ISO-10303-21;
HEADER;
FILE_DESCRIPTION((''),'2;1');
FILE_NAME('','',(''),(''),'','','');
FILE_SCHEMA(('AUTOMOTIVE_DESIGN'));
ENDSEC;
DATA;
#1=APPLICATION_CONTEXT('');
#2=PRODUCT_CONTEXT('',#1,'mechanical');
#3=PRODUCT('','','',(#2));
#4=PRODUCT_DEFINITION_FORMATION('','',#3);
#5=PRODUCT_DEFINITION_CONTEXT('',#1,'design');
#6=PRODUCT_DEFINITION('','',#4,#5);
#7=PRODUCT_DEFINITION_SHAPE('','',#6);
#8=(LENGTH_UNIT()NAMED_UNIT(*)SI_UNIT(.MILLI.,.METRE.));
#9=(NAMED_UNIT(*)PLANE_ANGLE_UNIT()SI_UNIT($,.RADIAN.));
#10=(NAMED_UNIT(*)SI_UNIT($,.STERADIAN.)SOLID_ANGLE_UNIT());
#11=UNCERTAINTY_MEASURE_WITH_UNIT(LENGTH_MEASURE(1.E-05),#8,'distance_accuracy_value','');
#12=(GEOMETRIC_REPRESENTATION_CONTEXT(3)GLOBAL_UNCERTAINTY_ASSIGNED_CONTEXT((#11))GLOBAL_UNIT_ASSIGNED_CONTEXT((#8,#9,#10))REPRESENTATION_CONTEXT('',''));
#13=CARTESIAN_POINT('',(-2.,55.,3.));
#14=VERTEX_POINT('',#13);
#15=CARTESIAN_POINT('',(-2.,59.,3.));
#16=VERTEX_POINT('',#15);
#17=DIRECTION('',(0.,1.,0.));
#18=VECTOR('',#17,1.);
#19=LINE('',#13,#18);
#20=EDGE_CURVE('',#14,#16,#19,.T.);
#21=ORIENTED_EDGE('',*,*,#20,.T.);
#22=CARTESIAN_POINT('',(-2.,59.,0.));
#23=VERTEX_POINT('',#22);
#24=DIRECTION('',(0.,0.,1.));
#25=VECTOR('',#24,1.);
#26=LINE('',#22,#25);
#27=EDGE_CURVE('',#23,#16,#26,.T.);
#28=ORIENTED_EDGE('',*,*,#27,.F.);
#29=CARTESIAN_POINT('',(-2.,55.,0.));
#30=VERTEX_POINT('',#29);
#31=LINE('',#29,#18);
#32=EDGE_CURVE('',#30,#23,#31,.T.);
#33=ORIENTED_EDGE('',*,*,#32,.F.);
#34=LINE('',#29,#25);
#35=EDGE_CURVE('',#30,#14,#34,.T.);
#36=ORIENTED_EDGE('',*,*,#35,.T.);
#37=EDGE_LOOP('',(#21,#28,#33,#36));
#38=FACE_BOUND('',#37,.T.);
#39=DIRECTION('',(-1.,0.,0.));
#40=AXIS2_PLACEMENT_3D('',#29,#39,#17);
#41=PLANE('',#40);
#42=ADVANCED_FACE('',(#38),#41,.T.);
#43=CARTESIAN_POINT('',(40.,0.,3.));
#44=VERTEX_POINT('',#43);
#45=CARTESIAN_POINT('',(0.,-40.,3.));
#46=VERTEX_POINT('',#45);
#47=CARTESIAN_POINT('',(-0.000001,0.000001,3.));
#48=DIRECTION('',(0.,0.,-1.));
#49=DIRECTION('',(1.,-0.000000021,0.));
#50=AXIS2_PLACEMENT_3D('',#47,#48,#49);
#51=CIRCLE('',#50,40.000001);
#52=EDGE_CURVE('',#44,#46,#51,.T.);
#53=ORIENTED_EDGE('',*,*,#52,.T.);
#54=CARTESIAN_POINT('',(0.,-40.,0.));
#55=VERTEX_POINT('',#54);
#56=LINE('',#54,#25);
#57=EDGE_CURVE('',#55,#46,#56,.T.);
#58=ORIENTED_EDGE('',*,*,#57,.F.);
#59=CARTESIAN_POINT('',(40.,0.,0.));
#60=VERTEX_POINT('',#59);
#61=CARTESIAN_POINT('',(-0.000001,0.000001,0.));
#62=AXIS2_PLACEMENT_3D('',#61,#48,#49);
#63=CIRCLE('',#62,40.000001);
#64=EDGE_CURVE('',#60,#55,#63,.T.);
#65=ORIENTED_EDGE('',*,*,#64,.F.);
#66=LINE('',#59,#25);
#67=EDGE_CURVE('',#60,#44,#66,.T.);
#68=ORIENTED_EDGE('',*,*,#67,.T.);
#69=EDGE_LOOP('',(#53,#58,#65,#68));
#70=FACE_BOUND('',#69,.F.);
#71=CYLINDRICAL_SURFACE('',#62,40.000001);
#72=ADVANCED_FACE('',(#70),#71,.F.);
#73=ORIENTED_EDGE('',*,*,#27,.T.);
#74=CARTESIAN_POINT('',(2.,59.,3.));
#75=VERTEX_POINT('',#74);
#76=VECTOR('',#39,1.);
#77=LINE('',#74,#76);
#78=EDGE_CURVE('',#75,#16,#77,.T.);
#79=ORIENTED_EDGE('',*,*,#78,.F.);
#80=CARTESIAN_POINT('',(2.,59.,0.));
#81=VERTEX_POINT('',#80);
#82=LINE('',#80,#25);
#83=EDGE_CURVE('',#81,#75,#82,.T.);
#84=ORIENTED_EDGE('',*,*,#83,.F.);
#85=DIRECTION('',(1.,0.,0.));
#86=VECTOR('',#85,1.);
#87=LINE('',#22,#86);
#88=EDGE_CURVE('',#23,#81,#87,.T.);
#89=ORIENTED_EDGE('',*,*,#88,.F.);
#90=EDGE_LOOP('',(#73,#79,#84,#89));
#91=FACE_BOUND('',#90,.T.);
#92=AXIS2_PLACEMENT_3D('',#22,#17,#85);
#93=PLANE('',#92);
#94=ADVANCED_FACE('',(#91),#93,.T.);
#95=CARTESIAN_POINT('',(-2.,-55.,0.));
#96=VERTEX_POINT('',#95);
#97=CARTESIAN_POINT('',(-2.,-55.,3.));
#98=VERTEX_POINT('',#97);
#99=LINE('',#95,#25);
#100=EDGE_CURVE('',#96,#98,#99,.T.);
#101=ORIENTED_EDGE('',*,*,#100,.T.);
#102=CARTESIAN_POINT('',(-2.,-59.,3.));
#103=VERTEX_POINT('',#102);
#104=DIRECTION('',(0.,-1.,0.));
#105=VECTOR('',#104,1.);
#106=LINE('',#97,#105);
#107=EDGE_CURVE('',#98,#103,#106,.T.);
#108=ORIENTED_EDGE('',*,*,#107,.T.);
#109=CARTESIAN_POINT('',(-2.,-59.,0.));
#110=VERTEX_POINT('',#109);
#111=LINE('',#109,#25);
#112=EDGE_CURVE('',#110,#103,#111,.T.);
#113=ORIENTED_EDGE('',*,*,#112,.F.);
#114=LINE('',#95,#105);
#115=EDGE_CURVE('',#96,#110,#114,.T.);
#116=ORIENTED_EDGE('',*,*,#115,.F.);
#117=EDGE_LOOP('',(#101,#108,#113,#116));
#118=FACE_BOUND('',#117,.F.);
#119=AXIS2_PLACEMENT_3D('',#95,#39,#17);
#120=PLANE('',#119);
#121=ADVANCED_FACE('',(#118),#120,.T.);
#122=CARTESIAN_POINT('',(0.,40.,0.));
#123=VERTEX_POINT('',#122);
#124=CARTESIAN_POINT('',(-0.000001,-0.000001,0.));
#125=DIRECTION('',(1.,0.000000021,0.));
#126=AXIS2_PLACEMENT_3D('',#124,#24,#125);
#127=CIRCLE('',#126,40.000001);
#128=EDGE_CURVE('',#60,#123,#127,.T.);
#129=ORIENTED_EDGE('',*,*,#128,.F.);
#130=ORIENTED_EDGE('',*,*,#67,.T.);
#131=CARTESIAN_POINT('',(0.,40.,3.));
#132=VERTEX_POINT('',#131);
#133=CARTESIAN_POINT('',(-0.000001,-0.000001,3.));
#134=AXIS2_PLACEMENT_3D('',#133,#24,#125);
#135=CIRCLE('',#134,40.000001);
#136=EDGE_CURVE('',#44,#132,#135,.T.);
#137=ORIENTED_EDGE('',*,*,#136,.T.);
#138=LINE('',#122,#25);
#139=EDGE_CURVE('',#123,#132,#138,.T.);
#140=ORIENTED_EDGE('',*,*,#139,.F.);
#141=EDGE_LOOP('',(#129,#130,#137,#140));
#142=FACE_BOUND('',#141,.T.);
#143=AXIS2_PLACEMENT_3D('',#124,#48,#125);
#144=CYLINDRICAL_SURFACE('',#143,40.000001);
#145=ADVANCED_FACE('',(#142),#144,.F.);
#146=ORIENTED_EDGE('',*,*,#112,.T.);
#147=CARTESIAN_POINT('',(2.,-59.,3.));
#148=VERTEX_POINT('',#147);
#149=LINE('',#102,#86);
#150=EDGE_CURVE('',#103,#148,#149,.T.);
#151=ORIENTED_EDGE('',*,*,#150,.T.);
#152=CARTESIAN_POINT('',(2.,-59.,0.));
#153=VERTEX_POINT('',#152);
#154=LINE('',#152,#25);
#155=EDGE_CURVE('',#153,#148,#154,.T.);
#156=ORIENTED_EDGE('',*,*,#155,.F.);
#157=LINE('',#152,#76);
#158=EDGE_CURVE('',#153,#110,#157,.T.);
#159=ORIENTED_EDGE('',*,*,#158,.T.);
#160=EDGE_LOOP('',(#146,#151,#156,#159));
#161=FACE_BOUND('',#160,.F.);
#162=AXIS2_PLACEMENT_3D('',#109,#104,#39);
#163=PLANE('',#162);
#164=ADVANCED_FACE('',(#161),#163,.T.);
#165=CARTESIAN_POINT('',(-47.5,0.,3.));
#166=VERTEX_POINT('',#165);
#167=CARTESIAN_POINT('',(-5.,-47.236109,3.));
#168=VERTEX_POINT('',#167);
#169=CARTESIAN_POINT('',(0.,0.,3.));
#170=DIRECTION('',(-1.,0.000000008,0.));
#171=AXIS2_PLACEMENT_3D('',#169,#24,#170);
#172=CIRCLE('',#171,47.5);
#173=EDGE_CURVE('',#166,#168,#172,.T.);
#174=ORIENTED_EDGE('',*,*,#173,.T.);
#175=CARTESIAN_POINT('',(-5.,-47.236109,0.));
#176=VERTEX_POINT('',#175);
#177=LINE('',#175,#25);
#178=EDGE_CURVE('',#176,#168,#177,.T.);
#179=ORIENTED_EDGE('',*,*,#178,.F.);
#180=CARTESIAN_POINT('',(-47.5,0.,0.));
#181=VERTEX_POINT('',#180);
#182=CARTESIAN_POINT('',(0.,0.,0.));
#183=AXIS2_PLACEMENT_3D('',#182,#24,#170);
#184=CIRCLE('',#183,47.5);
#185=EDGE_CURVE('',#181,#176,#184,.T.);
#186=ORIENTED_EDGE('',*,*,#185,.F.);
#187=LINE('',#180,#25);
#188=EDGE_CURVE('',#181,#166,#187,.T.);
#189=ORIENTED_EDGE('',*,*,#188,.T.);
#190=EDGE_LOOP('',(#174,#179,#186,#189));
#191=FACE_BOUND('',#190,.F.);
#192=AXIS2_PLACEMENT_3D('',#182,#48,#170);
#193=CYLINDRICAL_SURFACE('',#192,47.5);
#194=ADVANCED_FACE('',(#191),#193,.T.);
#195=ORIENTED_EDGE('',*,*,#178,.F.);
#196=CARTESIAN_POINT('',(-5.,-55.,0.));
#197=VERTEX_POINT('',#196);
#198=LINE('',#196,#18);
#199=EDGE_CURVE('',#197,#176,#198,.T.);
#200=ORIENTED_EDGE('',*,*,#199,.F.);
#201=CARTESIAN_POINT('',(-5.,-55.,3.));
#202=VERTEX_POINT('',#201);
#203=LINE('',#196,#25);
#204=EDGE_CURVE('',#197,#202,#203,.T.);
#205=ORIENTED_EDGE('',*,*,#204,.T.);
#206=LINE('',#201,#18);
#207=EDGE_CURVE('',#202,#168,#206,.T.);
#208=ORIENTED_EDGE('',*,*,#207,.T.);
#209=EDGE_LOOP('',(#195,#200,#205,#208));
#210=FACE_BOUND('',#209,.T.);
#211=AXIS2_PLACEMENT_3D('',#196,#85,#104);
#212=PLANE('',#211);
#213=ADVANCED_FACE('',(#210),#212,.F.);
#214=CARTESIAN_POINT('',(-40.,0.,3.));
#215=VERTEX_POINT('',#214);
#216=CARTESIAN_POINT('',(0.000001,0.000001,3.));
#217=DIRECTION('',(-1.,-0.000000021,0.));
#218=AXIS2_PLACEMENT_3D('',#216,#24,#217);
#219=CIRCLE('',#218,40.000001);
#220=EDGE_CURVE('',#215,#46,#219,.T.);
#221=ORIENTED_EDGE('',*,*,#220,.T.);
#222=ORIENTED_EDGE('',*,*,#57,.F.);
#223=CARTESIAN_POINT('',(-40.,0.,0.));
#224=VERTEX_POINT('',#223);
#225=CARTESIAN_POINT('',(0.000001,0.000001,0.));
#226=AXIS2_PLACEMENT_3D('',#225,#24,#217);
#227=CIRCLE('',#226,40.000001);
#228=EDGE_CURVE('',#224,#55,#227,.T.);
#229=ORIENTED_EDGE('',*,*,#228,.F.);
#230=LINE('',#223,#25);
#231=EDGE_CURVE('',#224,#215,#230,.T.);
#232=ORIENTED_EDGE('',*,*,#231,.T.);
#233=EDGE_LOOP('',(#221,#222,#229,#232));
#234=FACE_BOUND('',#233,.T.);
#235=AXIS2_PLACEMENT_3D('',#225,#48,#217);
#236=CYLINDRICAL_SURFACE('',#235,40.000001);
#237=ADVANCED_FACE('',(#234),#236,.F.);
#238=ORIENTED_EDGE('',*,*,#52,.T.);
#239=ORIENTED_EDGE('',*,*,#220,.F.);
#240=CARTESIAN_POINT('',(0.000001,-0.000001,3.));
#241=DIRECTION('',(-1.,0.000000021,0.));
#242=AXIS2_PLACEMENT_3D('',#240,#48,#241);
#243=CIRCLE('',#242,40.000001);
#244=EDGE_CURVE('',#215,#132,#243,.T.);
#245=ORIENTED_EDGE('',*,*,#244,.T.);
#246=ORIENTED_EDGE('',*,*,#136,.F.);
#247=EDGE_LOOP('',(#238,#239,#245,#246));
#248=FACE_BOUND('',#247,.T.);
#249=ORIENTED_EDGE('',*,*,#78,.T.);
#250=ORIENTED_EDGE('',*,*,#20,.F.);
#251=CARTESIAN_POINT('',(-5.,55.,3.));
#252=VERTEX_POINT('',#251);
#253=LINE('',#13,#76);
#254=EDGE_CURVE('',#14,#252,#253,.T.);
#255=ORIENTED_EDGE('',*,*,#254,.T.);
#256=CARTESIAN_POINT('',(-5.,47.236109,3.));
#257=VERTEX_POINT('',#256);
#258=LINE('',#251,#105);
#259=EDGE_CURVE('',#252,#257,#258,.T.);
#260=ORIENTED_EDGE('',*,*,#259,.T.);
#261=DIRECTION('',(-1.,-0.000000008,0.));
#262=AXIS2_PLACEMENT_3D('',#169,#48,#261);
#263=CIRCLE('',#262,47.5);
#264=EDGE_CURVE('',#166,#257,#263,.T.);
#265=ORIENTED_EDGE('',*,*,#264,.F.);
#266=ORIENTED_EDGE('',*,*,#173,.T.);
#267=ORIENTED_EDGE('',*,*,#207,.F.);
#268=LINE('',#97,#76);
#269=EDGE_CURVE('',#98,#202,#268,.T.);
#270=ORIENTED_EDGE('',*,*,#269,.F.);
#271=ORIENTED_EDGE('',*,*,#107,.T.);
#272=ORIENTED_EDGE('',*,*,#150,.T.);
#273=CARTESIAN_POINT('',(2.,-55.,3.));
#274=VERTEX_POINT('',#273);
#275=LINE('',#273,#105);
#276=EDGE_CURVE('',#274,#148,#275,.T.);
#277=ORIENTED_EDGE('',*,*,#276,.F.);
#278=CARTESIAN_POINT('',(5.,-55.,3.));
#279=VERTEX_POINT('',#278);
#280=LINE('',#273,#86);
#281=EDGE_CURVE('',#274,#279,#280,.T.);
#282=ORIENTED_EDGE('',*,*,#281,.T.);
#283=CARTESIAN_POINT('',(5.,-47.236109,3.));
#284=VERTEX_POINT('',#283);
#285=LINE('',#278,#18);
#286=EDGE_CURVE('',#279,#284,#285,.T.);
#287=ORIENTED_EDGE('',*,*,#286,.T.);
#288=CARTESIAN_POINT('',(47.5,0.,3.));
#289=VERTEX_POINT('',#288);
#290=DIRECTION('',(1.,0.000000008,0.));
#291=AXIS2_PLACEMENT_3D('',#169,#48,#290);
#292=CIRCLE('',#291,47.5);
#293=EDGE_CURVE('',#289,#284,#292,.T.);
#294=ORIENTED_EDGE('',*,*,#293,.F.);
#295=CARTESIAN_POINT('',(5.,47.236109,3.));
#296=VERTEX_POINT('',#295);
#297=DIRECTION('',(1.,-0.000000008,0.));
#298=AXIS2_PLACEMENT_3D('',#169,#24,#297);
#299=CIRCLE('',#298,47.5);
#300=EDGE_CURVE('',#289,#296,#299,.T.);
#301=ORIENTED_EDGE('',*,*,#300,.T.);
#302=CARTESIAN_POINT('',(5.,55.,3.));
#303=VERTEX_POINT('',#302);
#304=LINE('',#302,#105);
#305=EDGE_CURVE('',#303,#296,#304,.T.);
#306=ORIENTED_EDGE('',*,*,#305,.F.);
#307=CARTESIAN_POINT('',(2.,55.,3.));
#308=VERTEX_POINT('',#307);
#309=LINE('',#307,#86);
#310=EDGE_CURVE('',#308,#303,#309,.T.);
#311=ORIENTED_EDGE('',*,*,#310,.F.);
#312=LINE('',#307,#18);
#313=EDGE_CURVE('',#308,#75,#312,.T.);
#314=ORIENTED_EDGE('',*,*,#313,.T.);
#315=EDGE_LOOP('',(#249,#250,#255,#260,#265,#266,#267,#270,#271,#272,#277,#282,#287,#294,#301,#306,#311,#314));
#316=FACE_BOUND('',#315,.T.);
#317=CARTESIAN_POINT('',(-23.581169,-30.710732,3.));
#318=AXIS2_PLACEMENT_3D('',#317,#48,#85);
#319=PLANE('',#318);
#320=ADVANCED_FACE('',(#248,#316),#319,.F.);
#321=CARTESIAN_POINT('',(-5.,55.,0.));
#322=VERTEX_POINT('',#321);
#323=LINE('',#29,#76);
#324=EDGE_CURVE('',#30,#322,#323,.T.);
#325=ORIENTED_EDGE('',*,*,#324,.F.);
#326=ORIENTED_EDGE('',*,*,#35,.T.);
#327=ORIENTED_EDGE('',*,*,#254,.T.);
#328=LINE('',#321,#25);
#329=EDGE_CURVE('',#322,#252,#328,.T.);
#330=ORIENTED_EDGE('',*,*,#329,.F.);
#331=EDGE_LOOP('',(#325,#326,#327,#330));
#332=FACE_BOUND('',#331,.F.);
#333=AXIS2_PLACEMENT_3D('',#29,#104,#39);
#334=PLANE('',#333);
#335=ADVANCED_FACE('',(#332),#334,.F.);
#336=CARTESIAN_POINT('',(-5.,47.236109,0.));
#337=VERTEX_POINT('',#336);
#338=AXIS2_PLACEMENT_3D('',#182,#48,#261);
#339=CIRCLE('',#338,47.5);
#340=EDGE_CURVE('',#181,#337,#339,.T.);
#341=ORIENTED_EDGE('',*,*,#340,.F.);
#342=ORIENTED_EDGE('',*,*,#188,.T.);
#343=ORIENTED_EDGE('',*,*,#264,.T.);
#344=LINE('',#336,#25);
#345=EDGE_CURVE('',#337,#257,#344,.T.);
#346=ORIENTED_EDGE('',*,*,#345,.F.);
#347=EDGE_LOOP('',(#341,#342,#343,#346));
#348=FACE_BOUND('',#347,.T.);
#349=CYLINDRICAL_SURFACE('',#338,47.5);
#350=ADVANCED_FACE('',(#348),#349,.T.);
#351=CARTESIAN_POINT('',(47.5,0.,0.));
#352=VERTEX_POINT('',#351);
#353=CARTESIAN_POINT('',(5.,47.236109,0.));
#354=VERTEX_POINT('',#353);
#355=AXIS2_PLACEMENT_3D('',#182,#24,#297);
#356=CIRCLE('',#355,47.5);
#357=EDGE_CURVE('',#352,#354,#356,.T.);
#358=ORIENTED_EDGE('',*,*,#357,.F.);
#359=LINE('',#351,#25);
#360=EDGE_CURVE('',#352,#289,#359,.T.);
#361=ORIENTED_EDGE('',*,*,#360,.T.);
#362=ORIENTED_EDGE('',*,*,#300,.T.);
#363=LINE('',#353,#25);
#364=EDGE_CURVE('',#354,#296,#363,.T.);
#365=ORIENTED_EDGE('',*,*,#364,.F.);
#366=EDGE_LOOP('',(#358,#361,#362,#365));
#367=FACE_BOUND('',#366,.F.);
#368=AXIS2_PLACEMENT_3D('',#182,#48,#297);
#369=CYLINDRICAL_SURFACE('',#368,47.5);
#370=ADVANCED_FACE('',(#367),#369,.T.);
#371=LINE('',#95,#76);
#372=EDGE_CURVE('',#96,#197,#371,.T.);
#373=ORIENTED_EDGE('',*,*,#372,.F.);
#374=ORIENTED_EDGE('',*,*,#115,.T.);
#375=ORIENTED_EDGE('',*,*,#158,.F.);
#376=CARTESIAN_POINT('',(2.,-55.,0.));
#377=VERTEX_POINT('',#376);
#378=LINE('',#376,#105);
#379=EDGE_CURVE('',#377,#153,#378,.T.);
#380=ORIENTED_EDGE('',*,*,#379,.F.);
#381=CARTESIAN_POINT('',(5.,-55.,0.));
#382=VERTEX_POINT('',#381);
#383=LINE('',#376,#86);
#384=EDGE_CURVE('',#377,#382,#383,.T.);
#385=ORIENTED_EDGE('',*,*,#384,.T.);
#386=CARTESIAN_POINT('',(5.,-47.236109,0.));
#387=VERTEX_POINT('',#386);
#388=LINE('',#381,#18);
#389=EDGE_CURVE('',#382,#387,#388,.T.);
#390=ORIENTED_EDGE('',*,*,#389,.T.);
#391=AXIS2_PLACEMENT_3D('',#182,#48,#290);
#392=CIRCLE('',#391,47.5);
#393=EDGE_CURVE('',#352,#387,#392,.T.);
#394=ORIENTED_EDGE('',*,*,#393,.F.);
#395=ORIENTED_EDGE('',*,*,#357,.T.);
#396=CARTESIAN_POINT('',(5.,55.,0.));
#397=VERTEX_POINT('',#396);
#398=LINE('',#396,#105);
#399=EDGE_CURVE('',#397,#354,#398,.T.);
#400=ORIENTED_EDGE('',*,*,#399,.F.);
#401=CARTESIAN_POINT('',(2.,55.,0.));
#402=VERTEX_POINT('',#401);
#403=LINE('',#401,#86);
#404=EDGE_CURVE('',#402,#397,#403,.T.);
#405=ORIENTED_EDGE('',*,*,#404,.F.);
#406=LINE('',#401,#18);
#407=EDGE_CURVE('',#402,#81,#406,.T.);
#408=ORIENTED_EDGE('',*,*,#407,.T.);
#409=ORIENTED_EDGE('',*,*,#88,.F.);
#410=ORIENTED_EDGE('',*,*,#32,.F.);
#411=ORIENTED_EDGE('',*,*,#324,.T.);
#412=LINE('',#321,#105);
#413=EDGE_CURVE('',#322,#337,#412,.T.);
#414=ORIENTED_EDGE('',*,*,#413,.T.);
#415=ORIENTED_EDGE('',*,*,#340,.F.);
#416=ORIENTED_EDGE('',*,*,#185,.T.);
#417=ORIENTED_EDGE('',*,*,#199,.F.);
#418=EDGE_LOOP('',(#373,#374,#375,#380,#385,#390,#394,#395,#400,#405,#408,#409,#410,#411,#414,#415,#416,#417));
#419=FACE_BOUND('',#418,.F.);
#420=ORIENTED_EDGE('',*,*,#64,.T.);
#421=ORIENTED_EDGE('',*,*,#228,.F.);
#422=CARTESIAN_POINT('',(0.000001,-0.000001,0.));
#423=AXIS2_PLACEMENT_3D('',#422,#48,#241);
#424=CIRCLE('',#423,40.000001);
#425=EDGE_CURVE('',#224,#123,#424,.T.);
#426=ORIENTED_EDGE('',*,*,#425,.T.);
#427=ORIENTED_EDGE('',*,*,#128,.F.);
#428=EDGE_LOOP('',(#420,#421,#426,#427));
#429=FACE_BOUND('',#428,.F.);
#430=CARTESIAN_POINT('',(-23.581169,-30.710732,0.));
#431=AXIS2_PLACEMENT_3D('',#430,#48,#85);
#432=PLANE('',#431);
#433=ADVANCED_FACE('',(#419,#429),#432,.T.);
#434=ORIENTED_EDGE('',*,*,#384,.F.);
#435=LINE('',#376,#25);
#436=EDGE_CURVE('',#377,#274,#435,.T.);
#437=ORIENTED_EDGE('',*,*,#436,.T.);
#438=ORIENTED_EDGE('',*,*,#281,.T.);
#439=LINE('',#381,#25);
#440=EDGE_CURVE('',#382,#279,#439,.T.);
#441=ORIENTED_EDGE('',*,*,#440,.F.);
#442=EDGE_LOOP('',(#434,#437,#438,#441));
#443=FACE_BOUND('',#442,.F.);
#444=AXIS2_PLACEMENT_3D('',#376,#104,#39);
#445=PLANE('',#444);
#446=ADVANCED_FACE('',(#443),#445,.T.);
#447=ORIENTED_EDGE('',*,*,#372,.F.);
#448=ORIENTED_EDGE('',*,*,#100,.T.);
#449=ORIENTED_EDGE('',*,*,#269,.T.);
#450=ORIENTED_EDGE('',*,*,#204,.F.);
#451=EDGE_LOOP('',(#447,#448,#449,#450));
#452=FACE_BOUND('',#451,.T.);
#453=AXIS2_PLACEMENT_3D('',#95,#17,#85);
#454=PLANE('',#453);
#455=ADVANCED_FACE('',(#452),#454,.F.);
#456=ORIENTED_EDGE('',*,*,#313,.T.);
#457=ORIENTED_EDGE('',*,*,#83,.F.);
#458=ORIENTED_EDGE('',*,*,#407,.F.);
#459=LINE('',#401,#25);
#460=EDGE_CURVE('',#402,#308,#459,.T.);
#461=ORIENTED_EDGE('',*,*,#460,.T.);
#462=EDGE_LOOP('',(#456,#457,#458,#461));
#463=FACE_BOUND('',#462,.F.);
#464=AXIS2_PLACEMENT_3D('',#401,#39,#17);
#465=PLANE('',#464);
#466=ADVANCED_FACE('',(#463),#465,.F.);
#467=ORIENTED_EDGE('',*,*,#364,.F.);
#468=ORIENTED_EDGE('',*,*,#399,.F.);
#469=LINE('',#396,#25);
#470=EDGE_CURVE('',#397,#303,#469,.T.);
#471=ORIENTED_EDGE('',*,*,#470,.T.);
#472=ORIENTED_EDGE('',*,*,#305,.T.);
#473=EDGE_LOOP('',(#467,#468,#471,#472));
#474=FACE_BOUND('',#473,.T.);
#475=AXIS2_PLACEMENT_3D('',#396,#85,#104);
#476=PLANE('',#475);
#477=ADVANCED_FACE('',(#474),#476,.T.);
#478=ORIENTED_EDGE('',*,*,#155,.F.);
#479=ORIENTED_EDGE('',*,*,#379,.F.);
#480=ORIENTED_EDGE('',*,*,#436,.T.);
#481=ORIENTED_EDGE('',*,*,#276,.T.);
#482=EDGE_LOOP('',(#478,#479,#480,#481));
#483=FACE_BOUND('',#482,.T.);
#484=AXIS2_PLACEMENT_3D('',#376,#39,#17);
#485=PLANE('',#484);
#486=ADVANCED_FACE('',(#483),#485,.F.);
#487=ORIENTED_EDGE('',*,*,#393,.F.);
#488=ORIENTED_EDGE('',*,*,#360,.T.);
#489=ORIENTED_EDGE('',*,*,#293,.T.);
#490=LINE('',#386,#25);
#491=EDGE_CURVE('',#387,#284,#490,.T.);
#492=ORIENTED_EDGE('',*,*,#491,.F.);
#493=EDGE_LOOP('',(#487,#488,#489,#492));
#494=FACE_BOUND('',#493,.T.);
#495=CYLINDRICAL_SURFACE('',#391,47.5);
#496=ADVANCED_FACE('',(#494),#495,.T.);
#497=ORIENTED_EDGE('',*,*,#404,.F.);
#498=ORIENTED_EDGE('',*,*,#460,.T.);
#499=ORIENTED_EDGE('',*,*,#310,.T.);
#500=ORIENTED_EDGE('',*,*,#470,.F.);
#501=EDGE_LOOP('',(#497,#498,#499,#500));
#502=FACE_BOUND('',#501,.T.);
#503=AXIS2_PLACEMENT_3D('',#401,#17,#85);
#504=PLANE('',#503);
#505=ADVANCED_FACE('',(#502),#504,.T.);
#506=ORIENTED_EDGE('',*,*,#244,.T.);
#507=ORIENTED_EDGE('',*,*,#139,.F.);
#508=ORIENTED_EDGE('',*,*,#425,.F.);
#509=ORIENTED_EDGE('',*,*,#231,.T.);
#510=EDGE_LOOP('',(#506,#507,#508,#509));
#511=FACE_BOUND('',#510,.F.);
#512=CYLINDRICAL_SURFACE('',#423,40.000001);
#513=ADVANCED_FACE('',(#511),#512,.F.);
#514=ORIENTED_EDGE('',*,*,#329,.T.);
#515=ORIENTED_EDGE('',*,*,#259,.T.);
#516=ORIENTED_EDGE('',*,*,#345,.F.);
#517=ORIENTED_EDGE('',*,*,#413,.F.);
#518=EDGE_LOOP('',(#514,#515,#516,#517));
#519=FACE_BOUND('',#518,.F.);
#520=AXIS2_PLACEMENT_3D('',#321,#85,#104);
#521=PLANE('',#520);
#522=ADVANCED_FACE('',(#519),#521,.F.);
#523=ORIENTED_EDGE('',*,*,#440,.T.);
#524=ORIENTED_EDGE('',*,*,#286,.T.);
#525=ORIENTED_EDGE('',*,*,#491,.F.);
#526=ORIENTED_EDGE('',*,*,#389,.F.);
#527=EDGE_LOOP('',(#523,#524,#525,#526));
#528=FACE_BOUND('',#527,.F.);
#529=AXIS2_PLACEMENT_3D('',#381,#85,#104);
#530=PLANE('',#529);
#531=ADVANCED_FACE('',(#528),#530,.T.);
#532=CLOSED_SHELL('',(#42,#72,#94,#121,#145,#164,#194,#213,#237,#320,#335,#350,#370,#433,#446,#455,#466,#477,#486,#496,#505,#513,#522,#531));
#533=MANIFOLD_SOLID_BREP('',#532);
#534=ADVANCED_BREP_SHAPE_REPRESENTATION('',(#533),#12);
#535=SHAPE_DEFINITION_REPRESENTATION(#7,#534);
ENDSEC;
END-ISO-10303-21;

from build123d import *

# Parameters (mm, degrees)
PAD_DEPTH            = 3
PAD_MIRRORED_2_DEPTH = 3


with BuildPart() as part:
    # Sketch → Pad (new body)
    with BuildSketch(Plane.XY):
        with BuildLine():
            ThreePointArc((47.5, 0), (35.311117, 31.770663), (5, 47.236109))
            Line((5, 55), (5, 47.236109))
            Line((2, 55), (5, 55))
            Line((2, 55), (2, 59))
            Line((2, 59), (0, 59))
            Line((0, 40), (0, 59))
            ThreePointArc((40, 0), (28.284271, 28.284271), (0, 40))
            Line((40, 0), (47.5, 0))
        make_face()
    pad = extrude(amount=PAD_DEPTH)

    # Sketch Mirrored 2 → Pad Mirrored 2 (add)
    with BuildSketch(Plane(origin=(0, 0, 0), x_dir=(-1, 0, 0), z_dir=(0, 0, -1))):
        with BuildLine():
            ThreePointArc((47.5, 0), (35.311117, 31.770663), (5, 47.236109))
            Line((5, 55), (5, 47.236109))
            Line((2, 55), (5, 55))
            Line((2, 55), (2, 59))
            Line((2, 59), (0, 59))
            Line((0, 40), (0, 59))
            ThreePointArc((40, 0), (28.284271, 28.284271), (0, 40))
            Line((40, 0), (47.5, 0))
        make_face()
    pad_mirrored_2 = extrude(amount=-PAD_MIRRORED_2_DEPTH)

    # Mirrored001: Pad, Pad Mirrored 2 across Sketch H_Axis
    add(pad.mirror(Plane.ZX))
    add(pad_mirrored_2.mirror(Plane.ZX))


solid = part.part
